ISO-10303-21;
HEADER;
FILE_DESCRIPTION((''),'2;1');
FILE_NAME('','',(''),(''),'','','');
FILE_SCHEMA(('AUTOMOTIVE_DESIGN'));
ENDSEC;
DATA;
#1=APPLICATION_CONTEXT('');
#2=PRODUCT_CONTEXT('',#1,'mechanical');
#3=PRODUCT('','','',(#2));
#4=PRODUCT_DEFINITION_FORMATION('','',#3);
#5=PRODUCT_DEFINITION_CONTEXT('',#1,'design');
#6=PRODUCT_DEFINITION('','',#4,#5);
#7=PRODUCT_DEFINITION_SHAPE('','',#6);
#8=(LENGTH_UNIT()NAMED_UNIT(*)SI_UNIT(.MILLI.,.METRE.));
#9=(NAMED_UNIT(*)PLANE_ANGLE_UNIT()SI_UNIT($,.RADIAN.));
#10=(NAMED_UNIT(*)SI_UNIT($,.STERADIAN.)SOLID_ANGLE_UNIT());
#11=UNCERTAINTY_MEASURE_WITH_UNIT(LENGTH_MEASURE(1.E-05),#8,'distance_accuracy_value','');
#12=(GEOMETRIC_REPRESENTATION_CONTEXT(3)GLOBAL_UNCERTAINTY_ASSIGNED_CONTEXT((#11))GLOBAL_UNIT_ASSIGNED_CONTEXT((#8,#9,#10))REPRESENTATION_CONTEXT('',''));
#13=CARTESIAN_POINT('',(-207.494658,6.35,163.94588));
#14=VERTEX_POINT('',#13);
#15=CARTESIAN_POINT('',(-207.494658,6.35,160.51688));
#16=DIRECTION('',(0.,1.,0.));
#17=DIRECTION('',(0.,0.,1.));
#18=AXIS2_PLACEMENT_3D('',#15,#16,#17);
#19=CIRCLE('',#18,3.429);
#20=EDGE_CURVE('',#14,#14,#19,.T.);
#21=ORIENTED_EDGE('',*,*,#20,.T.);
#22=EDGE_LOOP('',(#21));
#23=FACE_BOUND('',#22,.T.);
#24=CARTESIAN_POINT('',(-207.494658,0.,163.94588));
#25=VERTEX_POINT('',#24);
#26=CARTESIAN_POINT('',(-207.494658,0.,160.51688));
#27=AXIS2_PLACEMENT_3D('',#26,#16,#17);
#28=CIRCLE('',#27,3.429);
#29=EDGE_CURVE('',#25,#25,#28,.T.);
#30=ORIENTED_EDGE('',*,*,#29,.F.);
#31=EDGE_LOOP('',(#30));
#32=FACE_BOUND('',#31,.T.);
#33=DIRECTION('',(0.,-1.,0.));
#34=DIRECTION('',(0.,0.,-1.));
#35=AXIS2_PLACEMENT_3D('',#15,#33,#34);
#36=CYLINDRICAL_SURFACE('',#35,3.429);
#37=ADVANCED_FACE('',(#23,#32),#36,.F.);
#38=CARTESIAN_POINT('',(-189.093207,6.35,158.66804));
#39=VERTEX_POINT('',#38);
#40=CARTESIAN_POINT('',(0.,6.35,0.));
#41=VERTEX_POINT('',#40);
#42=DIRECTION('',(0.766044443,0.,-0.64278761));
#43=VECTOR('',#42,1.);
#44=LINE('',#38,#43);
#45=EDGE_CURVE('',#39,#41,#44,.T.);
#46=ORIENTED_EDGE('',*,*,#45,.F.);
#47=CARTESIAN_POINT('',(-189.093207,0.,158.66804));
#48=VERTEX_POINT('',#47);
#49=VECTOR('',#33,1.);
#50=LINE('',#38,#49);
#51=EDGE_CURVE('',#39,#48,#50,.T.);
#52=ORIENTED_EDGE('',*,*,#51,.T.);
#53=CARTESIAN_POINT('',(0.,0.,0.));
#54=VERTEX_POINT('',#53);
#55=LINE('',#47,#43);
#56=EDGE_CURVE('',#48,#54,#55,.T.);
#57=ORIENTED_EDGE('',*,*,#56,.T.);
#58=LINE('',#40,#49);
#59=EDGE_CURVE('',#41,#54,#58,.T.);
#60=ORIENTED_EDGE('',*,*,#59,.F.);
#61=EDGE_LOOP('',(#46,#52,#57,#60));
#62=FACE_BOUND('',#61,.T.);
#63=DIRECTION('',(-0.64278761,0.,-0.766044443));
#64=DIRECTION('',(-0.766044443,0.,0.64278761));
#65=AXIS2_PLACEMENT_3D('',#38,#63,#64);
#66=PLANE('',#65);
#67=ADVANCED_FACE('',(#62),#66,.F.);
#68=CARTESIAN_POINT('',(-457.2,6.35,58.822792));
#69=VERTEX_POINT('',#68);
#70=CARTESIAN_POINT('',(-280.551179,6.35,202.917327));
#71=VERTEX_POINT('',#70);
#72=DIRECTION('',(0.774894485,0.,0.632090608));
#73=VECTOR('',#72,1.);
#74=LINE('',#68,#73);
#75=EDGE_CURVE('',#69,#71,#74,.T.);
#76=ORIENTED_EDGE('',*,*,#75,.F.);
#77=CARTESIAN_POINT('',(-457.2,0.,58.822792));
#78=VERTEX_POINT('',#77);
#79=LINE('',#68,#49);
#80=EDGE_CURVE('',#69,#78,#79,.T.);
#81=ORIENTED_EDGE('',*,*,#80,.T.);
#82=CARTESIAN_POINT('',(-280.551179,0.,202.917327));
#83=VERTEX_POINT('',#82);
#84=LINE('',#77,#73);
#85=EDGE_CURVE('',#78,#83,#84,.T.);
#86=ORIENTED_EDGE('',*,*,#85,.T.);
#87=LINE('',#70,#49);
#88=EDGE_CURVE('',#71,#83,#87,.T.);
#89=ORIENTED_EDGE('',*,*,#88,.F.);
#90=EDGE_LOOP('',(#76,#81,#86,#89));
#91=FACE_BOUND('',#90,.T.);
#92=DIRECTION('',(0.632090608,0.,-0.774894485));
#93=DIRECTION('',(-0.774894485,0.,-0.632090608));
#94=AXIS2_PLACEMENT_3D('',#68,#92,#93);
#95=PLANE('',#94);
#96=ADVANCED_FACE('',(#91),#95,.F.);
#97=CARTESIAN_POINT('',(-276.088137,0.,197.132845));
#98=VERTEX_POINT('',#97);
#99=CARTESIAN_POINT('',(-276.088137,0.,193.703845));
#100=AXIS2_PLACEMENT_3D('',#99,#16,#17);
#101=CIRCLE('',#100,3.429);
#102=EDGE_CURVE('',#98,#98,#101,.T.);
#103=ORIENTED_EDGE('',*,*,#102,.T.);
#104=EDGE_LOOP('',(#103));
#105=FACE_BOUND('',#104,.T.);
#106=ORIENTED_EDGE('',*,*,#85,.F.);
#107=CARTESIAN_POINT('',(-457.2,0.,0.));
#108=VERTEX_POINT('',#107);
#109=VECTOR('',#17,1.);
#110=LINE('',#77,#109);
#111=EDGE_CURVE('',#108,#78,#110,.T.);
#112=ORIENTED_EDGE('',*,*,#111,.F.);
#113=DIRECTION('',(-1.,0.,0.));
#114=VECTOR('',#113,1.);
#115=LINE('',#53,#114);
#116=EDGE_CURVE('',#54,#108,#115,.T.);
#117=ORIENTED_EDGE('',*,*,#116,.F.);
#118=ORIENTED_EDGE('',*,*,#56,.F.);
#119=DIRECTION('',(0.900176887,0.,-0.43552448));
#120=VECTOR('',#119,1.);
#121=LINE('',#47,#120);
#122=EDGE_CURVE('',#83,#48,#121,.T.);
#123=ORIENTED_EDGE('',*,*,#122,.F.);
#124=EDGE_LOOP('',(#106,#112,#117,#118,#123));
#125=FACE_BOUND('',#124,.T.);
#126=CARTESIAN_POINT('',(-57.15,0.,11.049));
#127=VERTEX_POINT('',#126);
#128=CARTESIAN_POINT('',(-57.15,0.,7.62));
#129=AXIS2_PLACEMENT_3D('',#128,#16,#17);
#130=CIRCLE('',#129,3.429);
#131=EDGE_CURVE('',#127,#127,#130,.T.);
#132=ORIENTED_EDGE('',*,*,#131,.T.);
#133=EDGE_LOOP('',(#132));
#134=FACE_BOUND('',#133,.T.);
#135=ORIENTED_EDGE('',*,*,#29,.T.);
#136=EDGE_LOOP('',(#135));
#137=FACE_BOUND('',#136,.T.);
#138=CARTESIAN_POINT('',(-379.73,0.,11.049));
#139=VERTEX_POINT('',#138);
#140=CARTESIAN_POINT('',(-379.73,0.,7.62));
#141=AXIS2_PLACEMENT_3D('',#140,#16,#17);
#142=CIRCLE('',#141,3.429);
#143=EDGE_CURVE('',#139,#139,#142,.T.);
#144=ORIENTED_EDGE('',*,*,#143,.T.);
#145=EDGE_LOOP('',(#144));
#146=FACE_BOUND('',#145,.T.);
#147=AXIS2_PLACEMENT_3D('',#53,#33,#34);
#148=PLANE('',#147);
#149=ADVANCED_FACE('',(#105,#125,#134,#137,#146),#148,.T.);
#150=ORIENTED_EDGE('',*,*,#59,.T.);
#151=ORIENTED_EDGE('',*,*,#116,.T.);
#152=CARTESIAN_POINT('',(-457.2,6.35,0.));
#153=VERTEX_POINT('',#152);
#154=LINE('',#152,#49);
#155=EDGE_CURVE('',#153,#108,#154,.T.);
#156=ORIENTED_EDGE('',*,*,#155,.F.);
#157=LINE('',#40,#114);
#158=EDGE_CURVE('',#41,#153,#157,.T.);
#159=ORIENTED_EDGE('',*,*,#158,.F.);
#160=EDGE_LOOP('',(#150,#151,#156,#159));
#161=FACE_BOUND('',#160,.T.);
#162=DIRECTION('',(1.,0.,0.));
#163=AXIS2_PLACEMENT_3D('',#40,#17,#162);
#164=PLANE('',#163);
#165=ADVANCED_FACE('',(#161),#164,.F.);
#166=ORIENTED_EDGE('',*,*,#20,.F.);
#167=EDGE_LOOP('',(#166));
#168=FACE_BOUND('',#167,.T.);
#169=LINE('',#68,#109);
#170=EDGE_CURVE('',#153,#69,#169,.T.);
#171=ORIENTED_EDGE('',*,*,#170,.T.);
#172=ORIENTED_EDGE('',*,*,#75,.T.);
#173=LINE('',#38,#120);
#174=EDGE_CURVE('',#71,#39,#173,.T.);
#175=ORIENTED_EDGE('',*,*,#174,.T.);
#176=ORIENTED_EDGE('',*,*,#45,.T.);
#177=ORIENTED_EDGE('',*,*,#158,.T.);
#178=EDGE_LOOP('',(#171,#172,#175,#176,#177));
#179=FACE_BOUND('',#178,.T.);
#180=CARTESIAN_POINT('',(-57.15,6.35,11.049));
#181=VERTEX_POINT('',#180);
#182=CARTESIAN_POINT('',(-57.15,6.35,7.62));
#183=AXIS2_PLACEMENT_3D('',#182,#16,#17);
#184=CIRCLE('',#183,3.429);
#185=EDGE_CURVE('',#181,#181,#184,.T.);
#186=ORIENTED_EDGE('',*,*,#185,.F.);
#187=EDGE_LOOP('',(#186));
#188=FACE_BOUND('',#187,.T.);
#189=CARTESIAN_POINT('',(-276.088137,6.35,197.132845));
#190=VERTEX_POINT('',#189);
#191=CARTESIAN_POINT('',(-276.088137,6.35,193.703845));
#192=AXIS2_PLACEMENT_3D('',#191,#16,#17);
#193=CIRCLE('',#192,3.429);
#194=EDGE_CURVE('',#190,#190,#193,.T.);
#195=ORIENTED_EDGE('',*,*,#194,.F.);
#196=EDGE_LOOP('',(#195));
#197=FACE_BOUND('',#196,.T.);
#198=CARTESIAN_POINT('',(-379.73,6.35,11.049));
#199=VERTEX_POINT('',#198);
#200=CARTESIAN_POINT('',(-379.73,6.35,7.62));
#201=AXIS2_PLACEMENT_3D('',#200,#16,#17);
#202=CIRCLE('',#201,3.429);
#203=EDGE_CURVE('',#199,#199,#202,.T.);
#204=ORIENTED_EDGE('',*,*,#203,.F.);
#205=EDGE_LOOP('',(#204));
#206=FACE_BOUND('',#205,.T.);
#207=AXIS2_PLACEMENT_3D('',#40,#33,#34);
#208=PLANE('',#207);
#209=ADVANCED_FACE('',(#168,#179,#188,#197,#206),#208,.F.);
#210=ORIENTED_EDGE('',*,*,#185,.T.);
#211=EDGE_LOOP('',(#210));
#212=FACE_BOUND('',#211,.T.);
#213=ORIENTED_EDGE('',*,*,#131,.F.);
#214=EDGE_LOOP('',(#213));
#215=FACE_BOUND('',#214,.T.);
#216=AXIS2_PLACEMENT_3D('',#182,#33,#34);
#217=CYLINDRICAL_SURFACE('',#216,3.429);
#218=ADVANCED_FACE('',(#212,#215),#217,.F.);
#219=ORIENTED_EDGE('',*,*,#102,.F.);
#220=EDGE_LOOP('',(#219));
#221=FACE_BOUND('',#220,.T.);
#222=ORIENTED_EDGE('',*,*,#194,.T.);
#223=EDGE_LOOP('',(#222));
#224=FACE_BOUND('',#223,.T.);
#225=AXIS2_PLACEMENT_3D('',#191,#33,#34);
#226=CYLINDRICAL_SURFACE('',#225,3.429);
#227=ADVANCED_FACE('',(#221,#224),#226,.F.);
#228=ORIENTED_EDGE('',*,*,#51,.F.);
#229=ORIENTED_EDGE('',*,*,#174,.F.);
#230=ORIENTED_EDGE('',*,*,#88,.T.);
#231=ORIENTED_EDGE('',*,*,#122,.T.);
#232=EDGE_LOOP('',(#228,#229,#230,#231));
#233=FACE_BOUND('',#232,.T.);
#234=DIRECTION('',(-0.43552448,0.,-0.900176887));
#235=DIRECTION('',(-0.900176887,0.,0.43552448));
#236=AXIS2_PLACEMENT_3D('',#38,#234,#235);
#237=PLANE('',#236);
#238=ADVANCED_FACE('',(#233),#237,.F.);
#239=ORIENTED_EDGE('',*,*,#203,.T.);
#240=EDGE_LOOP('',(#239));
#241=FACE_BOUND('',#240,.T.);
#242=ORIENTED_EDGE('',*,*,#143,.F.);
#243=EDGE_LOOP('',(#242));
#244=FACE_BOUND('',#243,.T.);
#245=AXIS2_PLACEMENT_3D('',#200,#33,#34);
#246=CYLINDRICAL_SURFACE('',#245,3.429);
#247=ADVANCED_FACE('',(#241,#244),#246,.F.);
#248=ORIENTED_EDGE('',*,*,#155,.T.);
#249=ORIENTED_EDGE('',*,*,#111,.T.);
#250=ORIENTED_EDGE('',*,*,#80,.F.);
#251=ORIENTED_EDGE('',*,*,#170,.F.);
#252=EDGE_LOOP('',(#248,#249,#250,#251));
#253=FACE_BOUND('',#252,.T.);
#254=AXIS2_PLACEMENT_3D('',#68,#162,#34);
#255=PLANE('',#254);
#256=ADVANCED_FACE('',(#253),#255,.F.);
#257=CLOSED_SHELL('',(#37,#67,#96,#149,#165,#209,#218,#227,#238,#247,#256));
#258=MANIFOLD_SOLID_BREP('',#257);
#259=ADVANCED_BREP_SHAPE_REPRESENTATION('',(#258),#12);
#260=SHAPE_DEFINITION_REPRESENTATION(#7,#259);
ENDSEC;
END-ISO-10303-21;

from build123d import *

# Parameters (mm, degrees)
SKETCH1_R           = 3.429
BOSS_EXTRUDE1_DEPTH = 6.35


with BuildPart() as part:
    # Sketch1 → Boss-Extrude1 (new body)
    with BuildSketch(Plane(origin=(0, 0, 0), x_dir=(1, 0, 0), z_dir=(0, 1, 0))):
        Polygon((-189.09320701, -158.66804026), (-280.551178696, -202.917327431), (-457.2, -58.822791946), (-457.2, 0), (0, 0), align=None)
        with Locations((-207.494657953, -160.516879503)):
            Circle(SKETCH1_R, mode=Mode.SUBTRACT)
        with Locations((-276.088136717, -193.703844882)):
            Circle(SKETCH1_R, mode=Mode.SUBTRACT)
        with Locations((-57.15, -7.62)):
            Circle(SKETCH1_R, mode=Mode.SUBTRACT)
        with Locations((-379.73, -7.62)):
            Circle(SKETCH1_R, mode=Mode.SUBTRACT)
    extrude(amount=BOSS_EXTRUDE1_DEPTH)


solid = part.part
